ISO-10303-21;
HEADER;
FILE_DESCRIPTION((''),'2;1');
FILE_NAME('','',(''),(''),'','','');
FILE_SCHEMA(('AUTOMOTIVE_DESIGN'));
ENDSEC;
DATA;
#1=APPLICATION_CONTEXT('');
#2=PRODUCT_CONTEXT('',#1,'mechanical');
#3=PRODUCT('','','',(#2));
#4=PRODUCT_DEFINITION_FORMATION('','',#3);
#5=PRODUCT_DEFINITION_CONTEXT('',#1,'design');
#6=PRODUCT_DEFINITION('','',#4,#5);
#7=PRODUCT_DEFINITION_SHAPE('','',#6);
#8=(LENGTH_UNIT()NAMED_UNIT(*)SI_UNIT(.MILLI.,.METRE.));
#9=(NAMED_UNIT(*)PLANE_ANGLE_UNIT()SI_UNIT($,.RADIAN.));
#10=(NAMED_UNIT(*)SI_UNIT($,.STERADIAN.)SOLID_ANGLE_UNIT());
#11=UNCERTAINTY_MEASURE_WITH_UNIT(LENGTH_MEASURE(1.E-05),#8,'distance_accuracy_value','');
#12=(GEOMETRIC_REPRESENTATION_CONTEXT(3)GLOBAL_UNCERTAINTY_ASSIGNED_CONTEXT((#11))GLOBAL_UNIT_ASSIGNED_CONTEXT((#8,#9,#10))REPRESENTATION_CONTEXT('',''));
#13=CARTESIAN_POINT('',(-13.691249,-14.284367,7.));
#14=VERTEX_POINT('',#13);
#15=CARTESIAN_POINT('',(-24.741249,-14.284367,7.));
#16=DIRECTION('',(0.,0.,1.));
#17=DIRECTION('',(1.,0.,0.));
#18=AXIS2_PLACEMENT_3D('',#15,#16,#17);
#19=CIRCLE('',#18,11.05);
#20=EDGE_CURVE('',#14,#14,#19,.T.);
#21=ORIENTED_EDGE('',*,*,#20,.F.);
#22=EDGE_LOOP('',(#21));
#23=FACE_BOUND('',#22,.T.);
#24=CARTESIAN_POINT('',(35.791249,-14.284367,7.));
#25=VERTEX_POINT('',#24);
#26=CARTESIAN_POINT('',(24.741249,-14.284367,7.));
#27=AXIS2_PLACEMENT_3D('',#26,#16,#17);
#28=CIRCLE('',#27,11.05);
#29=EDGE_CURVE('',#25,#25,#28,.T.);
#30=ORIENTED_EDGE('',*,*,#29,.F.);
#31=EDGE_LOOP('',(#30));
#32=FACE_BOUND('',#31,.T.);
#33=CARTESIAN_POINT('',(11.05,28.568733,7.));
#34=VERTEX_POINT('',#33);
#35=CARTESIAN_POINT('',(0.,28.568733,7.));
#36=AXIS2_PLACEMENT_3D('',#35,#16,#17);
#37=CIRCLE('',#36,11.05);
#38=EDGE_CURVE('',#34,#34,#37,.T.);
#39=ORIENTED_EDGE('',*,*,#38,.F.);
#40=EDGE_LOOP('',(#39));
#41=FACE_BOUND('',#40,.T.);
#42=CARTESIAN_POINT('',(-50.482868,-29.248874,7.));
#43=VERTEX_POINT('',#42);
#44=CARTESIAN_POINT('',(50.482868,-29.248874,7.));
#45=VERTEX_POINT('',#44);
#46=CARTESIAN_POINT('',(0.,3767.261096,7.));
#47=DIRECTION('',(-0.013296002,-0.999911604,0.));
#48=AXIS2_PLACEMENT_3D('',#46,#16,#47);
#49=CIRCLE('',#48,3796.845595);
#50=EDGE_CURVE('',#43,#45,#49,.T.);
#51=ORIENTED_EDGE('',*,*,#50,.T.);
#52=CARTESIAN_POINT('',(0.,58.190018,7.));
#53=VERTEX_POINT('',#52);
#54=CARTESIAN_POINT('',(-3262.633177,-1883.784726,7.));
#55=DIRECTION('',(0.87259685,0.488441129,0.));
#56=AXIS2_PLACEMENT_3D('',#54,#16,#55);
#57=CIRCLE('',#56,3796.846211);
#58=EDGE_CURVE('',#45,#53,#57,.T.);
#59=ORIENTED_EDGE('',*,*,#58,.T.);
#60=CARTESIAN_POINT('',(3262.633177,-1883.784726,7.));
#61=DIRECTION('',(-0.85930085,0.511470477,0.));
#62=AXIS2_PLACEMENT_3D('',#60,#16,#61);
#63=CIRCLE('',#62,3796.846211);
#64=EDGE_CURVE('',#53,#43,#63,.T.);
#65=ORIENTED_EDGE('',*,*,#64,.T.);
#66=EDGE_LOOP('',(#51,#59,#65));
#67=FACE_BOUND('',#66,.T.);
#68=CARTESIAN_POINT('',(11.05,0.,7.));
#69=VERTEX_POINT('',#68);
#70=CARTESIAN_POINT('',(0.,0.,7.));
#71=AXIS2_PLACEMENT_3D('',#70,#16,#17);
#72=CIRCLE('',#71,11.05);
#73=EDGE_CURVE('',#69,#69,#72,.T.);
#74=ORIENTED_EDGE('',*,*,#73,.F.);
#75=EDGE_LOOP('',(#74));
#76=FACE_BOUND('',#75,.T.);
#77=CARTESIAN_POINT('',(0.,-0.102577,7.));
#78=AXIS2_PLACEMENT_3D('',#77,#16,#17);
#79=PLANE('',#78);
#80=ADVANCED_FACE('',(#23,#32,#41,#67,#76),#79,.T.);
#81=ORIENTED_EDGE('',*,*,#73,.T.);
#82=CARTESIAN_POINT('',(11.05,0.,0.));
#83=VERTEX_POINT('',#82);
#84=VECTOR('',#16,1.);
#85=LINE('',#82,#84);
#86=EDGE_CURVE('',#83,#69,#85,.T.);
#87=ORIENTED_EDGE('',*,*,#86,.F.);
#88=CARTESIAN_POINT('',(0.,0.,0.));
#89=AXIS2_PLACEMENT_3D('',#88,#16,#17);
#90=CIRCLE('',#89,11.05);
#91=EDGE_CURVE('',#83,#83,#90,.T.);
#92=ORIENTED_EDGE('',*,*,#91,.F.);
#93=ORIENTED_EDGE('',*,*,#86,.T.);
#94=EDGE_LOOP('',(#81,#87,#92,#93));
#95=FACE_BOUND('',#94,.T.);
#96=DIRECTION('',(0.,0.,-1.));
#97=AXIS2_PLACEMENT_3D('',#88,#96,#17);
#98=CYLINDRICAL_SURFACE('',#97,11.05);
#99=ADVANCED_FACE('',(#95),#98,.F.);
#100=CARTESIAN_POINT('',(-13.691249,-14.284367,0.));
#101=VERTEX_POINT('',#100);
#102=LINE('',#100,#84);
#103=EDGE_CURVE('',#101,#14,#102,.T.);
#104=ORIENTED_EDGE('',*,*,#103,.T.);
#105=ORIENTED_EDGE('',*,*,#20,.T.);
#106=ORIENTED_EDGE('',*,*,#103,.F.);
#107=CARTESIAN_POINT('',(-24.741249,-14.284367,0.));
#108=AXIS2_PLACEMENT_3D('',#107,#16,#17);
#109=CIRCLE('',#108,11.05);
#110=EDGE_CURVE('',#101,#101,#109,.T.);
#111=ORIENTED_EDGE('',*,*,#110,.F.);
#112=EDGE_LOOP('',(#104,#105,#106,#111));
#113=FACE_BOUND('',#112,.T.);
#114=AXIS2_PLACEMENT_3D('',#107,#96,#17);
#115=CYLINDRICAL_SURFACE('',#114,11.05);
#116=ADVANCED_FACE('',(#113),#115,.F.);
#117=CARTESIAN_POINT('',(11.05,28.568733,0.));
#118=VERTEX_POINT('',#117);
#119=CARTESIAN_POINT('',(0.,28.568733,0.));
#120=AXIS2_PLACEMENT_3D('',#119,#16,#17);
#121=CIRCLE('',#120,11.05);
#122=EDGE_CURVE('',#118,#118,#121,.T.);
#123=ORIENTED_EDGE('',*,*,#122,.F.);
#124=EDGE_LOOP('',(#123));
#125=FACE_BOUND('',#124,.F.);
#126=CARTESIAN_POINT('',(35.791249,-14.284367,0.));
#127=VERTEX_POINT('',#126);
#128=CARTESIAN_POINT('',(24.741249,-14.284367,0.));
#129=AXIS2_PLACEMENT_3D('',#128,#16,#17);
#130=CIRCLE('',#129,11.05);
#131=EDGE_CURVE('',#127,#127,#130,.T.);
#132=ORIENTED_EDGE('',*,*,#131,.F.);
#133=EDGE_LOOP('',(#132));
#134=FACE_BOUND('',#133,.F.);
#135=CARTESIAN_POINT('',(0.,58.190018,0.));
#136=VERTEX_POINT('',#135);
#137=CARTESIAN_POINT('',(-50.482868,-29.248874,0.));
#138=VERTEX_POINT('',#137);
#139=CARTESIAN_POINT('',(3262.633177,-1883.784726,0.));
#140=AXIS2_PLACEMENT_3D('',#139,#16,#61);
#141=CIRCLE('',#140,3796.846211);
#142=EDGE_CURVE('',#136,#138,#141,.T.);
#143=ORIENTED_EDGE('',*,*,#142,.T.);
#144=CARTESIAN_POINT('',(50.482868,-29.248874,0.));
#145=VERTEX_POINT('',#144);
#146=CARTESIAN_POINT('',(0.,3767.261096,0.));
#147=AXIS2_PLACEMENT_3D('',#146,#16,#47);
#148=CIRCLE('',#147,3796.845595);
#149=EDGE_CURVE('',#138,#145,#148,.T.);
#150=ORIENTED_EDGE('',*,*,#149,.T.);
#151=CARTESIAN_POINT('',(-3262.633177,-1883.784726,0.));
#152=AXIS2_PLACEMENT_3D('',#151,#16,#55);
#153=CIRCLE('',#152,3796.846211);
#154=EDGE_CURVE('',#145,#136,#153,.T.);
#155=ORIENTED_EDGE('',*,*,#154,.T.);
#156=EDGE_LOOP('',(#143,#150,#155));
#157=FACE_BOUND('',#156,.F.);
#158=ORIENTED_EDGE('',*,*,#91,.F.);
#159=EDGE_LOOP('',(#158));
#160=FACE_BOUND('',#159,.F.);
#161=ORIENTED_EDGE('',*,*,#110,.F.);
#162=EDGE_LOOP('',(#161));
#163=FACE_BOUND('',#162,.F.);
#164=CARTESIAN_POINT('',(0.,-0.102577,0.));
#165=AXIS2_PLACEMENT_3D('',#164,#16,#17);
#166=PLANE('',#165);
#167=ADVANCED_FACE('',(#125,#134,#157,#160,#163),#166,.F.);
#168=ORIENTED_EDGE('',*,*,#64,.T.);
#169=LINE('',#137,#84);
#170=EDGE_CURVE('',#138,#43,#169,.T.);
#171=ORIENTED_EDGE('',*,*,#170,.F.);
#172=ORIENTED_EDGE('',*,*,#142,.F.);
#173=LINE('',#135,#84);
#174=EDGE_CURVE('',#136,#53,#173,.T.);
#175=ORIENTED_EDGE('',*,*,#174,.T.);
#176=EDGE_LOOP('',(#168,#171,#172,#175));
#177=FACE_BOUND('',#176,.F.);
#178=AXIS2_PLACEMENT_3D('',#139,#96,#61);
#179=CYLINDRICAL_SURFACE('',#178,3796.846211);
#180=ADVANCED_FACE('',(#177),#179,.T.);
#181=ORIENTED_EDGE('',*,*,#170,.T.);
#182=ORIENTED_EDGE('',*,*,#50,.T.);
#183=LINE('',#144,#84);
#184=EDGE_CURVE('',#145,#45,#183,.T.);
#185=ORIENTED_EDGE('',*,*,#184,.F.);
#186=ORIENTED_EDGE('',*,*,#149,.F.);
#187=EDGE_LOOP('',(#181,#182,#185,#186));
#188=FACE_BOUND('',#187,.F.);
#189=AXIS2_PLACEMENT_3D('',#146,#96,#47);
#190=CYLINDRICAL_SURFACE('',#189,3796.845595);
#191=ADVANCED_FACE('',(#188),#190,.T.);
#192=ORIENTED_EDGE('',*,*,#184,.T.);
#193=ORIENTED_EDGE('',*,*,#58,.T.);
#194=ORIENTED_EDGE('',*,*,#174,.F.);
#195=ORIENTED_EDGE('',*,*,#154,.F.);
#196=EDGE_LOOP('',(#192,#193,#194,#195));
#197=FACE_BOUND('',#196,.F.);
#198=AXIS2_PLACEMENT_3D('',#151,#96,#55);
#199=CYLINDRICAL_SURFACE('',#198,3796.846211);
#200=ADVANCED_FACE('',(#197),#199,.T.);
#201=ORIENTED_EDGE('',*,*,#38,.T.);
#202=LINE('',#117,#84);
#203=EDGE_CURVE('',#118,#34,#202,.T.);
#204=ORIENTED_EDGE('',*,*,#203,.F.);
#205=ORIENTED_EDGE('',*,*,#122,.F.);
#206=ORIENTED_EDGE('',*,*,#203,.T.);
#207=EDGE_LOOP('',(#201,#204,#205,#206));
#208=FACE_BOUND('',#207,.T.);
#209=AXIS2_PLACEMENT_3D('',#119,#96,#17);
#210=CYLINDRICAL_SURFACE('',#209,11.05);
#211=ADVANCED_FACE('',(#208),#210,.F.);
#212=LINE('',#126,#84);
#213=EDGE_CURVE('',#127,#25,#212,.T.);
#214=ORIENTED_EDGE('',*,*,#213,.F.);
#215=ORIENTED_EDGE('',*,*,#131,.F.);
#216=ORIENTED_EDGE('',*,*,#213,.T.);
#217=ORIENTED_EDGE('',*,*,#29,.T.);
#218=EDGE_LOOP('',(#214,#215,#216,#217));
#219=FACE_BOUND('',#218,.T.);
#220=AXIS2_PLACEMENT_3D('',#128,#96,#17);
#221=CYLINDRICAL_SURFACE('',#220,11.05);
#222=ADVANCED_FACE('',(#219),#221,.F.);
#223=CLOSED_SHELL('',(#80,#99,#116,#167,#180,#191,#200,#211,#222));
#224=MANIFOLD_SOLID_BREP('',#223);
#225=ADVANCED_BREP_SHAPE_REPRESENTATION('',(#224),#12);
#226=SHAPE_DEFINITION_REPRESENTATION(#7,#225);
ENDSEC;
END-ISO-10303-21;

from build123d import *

# Parameters (mm, degrees)
F0_R     = 13.55
F0_R_2   = 11.05
F1_DEPTH = 7


with BuildPart() as f1:
    # F0 (on Top) → F1 (new body)
    with BuildSketch(Plane.XY):
        with BuildLine():
            ThreePointArc((50.482868, -29.248874), (25.532094, 14.638384), (0, 58.190018))
            ThreePointArc((0, 58.190018), (-25.532094, 14.638384), (-50.482868, -29.248874))
            ThreePointArc((-50.482868, -29.248874), (0, -29.584499), (50.482868, -29.248874))
        make_face()
        with Locations((-24.741249, -14.284367)):
            Circle(F0_R, mode=Mode.SUBTRACT)
        with Locations((24.741249, -14.284367)):
            Circle(F0_R, mode=Mode.SUBTRACT)
        Circle(F0_R, mode=Mode.SUBTRACT)
        with Locations((0, 28.568733)):
            Circle(F0_R, mode=Mode.SUBTRACT)
        Circle(F0_R)
        Circle(F0_R_2, mode=Mode.SUBTRACT)
        with Locations((-24.741249, -14.284367)):
            Circle(F0_R)
        with Locations((-24.741249, -14.284367)):
            Circle(F0_R_2, mode=Mode.SUBTRACT)
        with Locations((0, 28.568733)):
            Circle(F0_R)
        with Locations((0, 28.568733)):
            Circle(F0_R_2, mode=Mode.SUBTRACT)
        with Locations((24.741249, -14.284367)):
            Circle(F0_R)
        with Locations((24.741249, -14.284367)):
            Circle(F0_R_2, mode=Mode.SUBTRACT)
    extrude(amount=F1_DEPTH)


solid = f1.part
